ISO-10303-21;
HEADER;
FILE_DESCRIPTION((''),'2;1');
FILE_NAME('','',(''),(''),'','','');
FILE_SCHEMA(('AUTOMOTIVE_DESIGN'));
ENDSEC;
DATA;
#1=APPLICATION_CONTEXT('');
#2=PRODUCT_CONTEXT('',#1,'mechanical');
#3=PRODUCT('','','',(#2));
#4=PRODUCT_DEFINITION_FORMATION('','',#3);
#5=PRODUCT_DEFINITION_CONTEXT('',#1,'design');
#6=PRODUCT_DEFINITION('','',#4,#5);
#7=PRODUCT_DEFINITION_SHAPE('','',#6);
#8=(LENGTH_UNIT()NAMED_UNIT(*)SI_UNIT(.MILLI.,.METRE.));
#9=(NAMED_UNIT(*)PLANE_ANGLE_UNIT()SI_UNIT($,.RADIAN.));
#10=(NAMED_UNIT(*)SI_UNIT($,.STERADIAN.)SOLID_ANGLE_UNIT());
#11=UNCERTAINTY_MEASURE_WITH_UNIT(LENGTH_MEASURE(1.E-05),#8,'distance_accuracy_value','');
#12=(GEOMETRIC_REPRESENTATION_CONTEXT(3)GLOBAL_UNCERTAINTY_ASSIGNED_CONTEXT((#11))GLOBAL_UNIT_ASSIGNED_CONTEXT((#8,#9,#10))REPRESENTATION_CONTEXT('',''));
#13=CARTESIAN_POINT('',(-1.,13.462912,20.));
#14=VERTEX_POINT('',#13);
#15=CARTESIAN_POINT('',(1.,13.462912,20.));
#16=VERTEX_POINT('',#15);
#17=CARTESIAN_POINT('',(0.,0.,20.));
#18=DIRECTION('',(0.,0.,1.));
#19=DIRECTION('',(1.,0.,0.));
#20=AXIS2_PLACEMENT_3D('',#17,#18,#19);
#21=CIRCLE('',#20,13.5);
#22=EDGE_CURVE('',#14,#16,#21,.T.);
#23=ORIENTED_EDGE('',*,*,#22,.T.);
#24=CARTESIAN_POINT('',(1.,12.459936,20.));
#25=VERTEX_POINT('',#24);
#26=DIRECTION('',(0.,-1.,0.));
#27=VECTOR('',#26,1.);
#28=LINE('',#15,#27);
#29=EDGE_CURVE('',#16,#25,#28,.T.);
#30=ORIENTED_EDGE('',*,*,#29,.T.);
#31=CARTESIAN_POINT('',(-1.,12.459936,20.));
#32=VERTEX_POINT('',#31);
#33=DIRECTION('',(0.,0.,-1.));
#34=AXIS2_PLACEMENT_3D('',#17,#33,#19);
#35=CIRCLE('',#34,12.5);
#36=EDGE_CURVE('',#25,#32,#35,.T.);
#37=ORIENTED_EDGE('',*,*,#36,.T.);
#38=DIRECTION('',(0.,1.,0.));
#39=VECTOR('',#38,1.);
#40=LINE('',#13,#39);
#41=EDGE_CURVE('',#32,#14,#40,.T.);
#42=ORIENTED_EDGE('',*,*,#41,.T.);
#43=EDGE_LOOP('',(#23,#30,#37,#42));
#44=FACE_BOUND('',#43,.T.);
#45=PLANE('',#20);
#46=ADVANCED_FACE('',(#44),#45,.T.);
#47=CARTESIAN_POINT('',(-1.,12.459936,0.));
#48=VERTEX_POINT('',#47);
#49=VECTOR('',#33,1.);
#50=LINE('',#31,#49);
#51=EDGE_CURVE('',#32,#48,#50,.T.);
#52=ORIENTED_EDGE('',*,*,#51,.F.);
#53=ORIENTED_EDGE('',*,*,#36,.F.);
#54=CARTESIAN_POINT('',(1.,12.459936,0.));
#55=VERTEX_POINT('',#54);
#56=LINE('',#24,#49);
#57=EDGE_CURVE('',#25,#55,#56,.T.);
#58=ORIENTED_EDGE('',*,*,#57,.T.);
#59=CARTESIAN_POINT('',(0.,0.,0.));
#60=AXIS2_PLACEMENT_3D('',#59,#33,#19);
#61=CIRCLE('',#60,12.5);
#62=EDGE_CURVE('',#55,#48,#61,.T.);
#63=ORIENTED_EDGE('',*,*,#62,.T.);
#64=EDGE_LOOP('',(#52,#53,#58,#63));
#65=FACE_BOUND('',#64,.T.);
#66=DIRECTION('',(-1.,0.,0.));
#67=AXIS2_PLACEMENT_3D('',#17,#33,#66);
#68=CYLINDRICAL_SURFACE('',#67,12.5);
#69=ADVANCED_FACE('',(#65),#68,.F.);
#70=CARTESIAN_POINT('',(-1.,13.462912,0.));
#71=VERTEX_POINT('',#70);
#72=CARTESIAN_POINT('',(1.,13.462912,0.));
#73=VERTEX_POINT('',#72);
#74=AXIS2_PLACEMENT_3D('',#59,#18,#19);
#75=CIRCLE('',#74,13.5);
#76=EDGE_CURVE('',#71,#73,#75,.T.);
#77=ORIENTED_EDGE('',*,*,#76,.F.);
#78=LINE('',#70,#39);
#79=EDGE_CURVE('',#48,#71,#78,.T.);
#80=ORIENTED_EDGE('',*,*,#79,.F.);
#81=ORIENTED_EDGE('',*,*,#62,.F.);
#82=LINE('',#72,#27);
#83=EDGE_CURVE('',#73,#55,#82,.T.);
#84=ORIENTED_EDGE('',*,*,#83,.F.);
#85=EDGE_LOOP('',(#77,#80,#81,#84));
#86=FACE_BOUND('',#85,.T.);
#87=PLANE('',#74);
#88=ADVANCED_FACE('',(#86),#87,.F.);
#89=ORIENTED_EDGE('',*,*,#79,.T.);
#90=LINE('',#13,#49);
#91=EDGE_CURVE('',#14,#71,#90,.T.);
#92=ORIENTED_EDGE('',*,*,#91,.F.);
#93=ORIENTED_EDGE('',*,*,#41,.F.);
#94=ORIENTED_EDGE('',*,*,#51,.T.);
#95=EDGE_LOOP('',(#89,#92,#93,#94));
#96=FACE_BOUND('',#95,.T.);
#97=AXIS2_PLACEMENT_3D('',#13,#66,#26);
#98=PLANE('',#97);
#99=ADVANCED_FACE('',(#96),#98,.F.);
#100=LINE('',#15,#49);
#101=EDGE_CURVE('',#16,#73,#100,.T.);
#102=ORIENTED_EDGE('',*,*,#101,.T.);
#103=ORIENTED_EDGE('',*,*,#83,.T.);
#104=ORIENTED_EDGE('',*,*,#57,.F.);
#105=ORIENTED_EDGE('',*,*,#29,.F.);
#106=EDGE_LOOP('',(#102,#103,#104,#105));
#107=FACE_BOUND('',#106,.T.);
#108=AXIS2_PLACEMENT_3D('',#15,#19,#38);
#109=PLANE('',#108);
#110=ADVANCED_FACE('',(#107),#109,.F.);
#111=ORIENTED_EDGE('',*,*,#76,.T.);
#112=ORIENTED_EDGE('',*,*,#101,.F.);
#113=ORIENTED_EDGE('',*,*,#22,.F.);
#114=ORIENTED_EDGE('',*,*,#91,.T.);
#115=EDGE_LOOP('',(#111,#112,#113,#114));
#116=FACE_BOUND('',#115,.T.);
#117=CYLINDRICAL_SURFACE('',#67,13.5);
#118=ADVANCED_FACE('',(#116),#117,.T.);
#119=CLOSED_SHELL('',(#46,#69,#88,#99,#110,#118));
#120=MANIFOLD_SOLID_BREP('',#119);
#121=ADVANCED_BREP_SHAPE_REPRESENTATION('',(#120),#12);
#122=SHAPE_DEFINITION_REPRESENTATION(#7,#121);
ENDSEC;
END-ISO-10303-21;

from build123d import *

# Parameters (mm, degrees)
EXTRUSION1_DEPTH = 20


with BuildPart() as part:
    # Esquisse1 → Extrusion1 (new body)
    with BuildSketch(Plane.XY):
        with BuildLine():
            Line((1, 13.462912018), (1, 12.459935794))
            ThreePointArc((1, 12.459935794), (0, -12.5), (-1, 12.459935794))
            Line((-1, 12.459935794), (-1, 13.462912018))
            ThreePointArc((-1, 13.462912018), (0, -13.5), (1, 13.462912018))
        make_face()
    extrude(amount=EXTRUSION1_DEPTH)


solid = part.part
